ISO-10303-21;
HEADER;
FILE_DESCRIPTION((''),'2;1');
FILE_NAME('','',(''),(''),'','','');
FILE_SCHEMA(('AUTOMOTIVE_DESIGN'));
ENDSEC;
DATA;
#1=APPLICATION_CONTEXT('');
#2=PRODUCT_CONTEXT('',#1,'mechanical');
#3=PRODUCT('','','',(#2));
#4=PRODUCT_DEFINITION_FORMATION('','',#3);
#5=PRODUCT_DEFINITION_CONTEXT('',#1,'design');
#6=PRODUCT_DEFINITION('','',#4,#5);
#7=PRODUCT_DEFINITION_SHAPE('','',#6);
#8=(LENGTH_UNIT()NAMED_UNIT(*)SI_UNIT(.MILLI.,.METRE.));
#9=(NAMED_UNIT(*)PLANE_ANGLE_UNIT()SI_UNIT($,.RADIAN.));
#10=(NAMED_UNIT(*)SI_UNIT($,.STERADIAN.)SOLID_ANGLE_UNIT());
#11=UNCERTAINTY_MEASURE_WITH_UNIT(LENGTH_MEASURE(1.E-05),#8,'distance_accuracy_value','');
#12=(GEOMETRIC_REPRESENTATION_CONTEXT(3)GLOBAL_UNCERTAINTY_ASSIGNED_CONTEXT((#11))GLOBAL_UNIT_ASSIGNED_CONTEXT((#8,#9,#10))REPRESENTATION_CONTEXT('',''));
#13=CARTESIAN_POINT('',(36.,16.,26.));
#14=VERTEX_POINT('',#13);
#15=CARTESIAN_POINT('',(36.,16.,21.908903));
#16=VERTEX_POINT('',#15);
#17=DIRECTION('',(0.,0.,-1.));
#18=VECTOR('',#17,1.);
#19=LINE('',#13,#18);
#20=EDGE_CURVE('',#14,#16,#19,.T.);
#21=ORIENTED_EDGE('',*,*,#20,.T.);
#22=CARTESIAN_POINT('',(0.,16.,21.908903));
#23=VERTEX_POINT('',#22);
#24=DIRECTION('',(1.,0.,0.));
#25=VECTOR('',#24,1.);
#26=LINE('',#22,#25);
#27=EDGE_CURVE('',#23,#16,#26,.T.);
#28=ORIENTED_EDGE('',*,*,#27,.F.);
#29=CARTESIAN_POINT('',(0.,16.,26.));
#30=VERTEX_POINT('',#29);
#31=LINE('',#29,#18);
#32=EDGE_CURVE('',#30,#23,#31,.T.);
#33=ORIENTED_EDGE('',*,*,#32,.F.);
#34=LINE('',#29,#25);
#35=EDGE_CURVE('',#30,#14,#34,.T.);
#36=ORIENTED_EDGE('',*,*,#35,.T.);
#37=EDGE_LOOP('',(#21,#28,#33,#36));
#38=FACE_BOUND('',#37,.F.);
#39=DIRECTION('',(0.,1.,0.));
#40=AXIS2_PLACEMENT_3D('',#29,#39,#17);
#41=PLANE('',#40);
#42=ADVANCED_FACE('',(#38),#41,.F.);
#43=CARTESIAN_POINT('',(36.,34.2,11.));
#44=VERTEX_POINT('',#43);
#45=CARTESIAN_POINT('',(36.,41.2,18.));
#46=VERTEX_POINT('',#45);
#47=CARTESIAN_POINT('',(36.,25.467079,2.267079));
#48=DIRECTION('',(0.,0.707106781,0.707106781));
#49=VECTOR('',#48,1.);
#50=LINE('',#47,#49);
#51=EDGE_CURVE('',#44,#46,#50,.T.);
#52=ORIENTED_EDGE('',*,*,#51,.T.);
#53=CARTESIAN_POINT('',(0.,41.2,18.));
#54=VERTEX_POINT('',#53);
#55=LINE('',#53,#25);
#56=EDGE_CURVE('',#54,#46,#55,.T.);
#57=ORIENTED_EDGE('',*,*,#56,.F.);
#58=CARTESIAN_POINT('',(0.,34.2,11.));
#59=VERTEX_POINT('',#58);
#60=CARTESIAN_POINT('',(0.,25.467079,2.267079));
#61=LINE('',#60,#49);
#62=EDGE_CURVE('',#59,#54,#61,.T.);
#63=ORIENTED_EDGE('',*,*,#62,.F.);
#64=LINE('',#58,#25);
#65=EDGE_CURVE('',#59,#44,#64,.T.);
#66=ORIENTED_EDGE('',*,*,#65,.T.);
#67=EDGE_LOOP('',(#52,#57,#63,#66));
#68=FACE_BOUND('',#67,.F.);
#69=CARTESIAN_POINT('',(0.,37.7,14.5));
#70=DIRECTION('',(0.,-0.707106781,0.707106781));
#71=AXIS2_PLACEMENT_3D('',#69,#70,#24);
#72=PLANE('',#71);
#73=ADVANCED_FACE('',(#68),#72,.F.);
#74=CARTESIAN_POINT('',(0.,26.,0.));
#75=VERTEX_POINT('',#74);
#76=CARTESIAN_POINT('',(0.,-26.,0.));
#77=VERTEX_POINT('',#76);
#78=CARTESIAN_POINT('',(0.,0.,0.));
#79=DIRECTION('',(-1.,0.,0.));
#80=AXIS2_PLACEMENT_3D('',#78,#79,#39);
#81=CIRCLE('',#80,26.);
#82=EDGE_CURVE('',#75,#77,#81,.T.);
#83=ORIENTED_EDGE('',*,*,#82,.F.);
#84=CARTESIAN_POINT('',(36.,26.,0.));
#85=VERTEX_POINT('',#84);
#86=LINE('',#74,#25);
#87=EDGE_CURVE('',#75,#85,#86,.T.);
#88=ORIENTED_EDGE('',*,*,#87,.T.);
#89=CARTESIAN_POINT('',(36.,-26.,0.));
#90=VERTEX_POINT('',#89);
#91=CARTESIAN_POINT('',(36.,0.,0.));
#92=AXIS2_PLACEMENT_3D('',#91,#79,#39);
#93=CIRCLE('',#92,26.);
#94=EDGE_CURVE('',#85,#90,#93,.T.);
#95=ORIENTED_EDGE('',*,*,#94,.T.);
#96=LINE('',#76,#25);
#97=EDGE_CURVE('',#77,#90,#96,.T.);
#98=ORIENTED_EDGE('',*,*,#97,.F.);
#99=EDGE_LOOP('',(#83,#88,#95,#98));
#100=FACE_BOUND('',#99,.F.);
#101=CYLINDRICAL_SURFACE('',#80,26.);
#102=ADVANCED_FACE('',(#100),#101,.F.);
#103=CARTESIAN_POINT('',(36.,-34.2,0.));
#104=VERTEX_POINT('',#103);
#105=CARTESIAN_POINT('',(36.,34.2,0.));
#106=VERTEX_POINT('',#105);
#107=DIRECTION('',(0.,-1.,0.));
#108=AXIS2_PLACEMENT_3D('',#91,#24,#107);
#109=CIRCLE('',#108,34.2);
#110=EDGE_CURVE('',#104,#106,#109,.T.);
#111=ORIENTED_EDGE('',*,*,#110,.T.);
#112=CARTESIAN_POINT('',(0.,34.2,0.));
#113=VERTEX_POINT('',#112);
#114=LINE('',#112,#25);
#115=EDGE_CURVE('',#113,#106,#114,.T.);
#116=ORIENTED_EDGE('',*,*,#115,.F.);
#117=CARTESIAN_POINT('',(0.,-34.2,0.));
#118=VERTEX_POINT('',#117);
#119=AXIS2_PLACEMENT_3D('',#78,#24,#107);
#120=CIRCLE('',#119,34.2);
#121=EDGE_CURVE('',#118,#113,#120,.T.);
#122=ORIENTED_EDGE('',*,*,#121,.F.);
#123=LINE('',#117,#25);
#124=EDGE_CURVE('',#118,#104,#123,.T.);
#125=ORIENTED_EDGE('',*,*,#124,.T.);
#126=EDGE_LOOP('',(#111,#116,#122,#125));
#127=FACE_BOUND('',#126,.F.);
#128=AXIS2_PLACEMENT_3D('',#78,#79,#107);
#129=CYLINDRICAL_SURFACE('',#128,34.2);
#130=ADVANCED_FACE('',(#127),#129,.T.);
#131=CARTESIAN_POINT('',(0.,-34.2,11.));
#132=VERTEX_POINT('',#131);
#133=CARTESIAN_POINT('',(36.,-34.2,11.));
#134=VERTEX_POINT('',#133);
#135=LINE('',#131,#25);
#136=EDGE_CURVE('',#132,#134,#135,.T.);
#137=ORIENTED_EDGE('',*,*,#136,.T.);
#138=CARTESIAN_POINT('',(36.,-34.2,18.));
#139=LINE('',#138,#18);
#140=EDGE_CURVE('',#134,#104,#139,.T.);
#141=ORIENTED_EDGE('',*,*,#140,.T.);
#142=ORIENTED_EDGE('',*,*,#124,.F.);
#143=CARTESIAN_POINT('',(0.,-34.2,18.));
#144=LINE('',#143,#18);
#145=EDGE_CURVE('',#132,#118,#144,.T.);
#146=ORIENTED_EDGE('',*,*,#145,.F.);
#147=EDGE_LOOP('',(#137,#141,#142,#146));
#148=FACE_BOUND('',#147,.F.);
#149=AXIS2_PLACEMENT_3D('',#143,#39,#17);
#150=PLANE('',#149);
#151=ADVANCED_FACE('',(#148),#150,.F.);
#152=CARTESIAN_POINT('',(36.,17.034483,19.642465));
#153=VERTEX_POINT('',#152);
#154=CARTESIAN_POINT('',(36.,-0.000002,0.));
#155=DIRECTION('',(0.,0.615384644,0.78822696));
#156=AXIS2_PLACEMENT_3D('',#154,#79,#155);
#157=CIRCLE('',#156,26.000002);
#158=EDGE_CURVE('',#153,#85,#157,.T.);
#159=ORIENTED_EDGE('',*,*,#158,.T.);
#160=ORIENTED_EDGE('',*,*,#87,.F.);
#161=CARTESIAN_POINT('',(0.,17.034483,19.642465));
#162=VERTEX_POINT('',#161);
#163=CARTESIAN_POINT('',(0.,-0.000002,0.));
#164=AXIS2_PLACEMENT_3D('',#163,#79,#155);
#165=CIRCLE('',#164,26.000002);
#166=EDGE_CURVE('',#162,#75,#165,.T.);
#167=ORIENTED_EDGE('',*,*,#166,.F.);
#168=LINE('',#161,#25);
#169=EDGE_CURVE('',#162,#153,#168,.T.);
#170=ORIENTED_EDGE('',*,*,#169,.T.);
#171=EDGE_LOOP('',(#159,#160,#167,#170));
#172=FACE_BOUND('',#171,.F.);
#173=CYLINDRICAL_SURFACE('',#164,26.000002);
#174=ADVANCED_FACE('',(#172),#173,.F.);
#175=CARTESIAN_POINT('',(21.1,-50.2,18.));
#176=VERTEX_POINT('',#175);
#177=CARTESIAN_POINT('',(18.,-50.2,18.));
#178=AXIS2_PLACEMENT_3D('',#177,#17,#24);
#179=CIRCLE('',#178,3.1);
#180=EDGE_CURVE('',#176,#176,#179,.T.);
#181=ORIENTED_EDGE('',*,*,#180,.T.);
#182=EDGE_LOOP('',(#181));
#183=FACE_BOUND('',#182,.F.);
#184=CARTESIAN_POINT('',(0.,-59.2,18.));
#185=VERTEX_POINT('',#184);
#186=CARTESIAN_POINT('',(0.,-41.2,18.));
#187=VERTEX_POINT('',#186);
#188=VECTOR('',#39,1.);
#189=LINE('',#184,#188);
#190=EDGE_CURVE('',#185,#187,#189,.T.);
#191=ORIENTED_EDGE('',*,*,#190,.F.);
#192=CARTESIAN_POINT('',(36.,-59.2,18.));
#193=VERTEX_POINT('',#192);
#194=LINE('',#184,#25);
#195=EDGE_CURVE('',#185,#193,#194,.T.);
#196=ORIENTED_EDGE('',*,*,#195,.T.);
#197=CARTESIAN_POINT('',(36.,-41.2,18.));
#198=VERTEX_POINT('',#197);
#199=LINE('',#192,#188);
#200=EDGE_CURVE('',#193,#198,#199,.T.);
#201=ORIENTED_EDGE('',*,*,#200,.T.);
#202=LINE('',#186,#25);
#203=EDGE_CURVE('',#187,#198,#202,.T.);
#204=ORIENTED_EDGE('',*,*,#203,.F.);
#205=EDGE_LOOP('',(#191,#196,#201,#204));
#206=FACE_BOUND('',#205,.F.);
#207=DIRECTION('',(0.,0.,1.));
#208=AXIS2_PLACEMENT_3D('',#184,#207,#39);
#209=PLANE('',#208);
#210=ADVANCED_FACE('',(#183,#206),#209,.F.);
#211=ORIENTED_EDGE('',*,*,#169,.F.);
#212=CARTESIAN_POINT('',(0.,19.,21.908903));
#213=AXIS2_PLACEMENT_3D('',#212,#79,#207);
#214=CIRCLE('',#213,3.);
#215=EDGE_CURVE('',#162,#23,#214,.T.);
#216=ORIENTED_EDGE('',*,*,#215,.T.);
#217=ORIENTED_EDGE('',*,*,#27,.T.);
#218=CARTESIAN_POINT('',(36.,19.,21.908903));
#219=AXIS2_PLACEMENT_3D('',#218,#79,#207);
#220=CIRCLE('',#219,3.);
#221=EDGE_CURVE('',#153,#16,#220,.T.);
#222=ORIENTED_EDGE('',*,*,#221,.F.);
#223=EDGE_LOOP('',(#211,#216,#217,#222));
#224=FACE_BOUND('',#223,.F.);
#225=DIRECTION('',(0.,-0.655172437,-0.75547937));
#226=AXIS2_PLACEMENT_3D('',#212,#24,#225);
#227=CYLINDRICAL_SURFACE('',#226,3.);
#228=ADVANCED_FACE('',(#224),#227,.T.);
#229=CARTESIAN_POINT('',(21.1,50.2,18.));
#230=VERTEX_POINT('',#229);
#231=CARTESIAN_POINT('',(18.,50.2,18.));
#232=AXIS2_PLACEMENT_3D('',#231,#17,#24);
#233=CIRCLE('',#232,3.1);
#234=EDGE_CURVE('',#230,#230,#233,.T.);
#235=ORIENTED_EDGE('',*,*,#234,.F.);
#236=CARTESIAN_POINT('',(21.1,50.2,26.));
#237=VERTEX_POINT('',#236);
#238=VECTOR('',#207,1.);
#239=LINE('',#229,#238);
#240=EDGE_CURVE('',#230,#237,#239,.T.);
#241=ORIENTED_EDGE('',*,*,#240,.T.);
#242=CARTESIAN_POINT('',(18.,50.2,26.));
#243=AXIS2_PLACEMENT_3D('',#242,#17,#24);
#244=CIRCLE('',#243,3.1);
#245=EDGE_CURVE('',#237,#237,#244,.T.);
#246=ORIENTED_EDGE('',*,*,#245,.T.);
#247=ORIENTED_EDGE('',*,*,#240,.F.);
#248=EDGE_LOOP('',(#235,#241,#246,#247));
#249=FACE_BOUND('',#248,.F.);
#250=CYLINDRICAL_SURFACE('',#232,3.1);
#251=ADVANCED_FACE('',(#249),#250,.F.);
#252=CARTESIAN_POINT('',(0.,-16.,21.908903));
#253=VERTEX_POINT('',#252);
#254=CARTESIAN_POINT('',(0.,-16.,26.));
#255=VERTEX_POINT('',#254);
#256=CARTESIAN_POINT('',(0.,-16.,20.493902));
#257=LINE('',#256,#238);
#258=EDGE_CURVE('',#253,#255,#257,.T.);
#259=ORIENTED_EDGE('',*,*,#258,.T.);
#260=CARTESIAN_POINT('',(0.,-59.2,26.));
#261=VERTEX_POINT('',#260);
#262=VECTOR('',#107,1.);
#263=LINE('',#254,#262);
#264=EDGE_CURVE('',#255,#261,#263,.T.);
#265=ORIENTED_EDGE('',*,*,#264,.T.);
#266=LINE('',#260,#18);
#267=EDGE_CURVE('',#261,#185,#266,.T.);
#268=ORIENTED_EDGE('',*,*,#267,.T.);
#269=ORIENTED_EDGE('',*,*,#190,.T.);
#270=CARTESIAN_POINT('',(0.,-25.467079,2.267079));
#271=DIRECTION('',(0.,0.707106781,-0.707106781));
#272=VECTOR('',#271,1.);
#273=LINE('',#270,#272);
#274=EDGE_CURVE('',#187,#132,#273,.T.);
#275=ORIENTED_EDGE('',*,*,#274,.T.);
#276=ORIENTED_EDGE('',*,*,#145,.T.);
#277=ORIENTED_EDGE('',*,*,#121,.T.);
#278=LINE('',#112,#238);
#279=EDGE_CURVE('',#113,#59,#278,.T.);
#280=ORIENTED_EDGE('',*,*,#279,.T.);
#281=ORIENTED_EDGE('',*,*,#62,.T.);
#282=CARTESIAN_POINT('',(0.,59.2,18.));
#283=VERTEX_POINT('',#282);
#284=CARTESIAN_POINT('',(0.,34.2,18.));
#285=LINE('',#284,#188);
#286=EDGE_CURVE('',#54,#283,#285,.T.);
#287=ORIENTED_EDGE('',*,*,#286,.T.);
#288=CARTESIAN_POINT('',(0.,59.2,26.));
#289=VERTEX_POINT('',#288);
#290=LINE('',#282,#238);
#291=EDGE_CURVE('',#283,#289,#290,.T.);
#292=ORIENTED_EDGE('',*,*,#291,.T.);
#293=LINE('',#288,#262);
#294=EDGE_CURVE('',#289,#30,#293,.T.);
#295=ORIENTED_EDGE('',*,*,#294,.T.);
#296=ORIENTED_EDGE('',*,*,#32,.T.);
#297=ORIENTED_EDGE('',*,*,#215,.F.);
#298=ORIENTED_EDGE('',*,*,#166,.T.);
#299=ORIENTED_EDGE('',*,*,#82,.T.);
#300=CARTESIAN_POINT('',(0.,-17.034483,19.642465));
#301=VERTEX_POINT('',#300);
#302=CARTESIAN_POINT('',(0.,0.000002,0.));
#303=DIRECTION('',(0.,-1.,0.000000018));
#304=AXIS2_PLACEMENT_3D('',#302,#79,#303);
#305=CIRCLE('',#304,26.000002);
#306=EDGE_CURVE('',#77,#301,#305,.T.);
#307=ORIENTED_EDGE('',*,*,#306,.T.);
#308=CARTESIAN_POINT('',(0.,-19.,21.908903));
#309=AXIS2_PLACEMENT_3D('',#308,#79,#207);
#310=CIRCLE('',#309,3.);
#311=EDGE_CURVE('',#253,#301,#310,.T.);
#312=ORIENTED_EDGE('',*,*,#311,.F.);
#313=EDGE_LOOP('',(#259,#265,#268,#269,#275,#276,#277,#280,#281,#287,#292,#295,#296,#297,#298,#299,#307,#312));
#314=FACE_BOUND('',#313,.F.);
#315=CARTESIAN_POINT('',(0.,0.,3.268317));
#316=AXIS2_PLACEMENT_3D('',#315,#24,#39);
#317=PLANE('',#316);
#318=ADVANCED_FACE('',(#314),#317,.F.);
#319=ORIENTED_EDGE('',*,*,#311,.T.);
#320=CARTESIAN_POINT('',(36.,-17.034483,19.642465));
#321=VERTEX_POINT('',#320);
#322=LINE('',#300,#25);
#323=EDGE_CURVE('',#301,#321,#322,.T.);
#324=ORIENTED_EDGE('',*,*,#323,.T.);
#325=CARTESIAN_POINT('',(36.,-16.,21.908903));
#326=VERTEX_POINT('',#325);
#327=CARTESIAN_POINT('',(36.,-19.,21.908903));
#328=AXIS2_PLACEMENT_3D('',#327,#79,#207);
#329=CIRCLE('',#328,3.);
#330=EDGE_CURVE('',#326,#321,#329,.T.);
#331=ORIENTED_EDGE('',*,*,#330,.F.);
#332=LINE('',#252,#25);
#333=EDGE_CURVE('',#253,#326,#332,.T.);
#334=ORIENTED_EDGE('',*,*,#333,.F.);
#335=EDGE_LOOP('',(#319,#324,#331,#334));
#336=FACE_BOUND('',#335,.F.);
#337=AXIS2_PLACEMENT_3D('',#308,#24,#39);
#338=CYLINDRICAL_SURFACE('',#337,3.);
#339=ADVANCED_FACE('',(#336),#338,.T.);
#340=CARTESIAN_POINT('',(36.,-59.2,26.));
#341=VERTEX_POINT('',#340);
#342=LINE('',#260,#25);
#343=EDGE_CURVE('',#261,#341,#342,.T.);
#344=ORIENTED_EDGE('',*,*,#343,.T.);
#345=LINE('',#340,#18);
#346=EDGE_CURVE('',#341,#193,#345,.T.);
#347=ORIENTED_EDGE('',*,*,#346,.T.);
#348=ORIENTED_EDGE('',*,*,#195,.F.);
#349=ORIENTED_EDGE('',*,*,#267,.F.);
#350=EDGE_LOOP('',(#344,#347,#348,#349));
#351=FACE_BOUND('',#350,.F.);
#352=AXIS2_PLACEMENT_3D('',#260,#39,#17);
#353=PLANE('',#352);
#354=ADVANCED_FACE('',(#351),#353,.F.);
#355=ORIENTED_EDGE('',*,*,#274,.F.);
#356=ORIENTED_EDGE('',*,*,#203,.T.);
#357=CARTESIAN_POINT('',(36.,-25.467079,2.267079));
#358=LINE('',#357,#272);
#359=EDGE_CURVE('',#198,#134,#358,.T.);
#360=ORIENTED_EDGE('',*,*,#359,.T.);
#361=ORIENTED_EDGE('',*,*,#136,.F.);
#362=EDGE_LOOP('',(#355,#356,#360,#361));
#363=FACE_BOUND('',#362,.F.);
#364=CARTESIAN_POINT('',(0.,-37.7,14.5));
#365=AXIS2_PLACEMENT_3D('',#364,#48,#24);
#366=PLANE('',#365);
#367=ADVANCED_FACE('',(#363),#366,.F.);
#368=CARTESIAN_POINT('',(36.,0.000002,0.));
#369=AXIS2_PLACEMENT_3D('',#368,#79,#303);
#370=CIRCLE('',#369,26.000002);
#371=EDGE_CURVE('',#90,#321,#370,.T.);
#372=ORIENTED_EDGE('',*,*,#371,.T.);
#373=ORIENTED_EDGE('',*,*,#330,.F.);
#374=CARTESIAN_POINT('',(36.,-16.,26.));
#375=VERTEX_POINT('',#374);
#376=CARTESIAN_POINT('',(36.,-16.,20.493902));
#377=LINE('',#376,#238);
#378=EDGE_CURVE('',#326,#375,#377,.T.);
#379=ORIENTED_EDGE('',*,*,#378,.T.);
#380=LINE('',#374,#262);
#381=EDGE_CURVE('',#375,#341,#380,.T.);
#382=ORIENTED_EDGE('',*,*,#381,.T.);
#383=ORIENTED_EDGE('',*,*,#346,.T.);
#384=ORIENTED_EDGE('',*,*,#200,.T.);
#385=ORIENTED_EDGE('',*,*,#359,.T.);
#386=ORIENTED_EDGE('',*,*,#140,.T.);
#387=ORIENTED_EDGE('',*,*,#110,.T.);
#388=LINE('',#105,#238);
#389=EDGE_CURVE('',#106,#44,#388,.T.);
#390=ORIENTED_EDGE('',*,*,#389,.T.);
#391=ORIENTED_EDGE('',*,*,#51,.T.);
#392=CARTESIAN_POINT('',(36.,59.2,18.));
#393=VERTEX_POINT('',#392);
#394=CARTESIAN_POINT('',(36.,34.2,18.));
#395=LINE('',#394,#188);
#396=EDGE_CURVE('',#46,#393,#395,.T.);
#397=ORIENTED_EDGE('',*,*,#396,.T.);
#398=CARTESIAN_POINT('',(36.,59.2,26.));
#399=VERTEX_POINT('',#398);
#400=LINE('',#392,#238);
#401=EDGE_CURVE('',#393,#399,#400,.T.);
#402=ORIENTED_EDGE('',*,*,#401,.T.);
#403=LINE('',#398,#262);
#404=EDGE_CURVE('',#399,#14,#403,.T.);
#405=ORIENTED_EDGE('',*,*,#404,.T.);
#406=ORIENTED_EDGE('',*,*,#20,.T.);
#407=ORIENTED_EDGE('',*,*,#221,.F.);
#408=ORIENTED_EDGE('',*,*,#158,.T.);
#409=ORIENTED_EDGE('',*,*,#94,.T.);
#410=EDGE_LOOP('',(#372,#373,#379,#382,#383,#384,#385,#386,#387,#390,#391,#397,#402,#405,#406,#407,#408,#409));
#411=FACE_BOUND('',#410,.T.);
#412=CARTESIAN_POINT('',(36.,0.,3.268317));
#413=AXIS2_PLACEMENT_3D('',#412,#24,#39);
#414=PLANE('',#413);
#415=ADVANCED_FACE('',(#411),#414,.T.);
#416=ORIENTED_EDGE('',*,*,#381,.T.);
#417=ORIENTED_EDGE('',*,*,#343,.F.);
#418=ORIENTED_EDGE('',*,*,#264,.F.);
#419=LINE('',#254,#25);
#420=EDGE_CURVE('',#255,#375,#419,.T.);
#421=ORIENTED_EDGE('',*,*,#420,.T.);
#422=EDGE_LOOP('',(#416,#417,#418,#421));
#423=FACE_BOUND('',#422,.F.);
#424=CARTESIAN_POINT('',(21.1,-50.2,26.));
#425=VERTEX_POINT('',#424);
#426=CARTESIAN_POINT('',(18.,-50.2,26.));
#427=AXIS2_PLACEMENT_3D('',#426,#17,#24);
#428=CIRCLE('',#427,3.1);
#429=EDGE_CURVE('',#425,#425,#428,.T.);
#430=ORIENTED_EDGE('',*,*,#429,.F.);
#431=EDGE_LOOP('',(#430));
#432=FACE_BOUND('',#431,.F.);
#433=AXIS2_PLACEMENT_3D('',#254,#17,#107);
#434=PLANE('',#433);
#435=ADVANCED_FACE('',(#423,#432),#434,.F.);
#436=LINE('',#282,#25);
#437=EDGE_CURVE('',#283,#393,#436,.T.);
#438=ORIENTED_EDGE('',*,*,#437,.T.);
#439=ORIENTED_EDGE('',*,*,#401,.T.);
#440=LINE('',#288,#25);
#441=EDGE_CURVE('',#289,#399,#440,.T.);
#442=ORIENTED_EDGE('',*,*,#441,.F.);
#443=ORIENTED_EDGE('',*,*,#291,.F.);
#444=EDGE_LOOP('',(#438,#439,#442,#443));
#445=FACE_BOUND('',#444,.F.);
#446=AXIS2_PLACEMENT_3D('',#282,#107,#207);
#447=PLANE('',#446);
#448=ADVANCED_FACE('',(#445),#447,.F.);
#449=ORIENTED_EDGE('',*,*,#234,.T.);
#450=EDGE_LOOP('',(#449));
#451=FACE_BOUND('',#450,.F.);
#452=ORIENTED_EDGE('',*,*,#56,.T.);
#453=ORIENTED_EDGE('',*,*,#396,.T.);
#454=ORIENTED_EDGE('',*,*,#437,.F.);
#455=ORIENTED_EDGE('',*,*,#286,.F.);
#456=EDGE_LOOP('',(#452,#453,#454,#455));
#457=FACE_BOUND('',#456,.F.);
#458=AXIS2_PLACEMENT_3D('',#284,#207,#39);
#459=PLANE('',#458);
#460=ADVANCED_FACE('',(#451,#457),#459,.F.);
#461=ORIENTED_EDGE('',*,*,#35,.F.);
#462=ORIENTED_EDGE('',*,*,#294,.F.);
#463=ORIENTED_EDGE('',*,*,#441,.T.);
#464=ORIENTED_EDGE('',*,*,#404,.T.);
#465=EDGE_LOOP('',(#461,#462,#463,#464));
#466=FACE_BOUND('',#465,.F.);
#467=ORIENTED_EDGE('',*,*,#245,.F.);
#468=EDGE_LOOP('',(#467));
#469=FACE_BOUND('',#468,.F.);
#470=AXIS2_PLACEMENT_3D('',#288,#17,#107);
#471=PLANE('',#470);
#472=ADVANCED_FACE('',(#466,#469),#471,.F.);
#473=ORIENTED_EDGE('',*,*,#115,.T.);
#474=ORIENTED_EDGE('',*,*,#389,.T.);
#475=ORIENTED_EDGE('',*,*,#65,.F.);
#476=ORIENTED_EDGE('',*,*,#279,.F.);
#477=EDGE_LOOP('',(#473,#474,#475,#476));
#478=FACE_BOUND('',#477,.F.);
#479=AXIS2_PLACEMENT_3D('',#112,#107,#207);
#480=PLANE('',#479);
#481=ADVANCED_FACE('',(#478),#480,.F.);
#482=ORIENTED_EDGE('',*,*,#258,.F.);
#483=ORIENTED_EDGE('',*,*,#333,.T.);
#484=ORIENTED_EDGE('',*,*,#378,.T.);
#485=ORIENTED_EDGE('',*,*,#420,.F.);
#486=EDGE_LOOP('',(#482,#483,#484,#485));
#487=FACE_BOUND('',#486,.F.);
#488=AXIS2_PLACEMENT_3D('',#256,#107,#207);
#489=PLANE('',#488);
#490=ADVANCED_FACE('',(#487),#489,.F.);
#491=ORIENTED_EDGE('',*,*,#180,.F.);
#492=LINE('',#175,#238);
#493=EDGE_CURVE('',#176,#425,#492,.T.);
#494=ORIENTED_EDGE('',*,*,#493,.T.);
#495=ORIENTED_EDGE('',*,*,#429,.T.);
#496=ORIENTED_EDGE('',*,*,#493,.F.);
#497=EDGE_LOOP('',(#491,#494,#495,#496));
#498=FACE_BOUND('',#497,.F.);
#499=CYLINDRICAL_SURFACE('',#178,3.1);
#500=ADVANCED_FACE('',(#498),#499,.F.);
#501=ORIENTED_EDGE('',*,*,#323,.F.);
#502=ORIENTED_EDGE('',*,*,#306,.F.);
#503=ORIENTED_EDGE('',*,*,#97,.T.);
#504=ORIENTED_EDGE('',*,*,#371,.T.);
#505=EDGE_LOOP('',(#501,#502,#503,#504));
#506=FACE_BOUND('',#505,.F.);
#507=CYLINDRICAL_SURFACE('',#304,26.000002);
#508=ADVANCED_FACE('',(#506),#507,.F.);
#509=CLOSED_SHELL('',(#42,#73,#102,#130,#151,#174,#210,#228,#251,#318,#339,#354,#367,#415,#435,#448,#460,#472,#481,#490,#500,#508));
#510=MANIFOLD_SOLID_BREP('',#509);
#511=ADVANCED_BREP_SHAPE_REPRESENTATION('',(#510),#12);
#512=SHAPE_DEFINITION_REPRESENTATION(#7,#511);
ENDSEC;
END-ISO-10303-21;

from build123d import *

# Parameters (mm, degrees)
F1_DEPTH = 36
F2_R     = 3.1
F3_DEPTH = 8.001
F4_SIZE  = 7
F5_R     = 3


with BuildPart() as f1:
    # F0 (on Right) → F1 (new body)
    with BuildSketch(Plane.YZ):
        with BuildLine():
            Line((-16, 26), (-26, 26))
            Line((-26, 26), (-59.2, 26))
            Line((-59.2, 26), (-59.2, 18))
            Line((-59.2, 18), (-34.2, 18))
            Line((-34.2, 18), (-34.2, 0))
            ThreePointArc((-34.2, 0), (0, -34.2), (34.2, 0))
            Line((34.2, 0), (34.2, 18))
            Line((34.2, 18), (59.2, 18))
            Line((59.2, 18), (59.2, 26))
            Line((59.2, 26), (26, 26))
            Line((26, 26), (16, 26))
            Line((16, 26), (16, 20.493902))
            ThreePointArc((16, 20.493902), (23.366643, 11.401754), (26, 0))
            ThreePointArc((26, 0), (0, -26), (-26, 0))
            ThreePointArc((-26, 0), (-23.366643, 11.401754), (-16, 20.493902))
            Line((-16, 20.493902), (-16, 26))
        make_face()
    extrude(amount=F1_DEPTH)

    # F2 (on face) → F3 (cut, through all)
    with BuildSketch(Plane(origin=(0, 0, 18), x_dir=(1, 0, 0), z_dir=(0, 0, -1))):
        with Locations((18, 50.2)):
            Circle(F2_R)
        with Locations((18, -50.2)):
            Circle(F2_R)
    extrude(amount=-F3_DEPTH, mode=Mode.SUBTRACT)

    # F4
    f4_edges = [f1.edges().sort_by_distance(p)[0] for p in [
        (18, -34.2, 18),
        (18, 34.2, 18),
    ]]
    chamfer(f4_edges, length=F4_SIZE)

    # F5
    f5_edges = [f1.edges().sort_by_distance(p)[0] for p in [
        (18, 16, 20.493902),
        (18, -16, 20.493902),
    ]]
    fillet(f5_edges, radius=F5_R)


solid = f1.part
